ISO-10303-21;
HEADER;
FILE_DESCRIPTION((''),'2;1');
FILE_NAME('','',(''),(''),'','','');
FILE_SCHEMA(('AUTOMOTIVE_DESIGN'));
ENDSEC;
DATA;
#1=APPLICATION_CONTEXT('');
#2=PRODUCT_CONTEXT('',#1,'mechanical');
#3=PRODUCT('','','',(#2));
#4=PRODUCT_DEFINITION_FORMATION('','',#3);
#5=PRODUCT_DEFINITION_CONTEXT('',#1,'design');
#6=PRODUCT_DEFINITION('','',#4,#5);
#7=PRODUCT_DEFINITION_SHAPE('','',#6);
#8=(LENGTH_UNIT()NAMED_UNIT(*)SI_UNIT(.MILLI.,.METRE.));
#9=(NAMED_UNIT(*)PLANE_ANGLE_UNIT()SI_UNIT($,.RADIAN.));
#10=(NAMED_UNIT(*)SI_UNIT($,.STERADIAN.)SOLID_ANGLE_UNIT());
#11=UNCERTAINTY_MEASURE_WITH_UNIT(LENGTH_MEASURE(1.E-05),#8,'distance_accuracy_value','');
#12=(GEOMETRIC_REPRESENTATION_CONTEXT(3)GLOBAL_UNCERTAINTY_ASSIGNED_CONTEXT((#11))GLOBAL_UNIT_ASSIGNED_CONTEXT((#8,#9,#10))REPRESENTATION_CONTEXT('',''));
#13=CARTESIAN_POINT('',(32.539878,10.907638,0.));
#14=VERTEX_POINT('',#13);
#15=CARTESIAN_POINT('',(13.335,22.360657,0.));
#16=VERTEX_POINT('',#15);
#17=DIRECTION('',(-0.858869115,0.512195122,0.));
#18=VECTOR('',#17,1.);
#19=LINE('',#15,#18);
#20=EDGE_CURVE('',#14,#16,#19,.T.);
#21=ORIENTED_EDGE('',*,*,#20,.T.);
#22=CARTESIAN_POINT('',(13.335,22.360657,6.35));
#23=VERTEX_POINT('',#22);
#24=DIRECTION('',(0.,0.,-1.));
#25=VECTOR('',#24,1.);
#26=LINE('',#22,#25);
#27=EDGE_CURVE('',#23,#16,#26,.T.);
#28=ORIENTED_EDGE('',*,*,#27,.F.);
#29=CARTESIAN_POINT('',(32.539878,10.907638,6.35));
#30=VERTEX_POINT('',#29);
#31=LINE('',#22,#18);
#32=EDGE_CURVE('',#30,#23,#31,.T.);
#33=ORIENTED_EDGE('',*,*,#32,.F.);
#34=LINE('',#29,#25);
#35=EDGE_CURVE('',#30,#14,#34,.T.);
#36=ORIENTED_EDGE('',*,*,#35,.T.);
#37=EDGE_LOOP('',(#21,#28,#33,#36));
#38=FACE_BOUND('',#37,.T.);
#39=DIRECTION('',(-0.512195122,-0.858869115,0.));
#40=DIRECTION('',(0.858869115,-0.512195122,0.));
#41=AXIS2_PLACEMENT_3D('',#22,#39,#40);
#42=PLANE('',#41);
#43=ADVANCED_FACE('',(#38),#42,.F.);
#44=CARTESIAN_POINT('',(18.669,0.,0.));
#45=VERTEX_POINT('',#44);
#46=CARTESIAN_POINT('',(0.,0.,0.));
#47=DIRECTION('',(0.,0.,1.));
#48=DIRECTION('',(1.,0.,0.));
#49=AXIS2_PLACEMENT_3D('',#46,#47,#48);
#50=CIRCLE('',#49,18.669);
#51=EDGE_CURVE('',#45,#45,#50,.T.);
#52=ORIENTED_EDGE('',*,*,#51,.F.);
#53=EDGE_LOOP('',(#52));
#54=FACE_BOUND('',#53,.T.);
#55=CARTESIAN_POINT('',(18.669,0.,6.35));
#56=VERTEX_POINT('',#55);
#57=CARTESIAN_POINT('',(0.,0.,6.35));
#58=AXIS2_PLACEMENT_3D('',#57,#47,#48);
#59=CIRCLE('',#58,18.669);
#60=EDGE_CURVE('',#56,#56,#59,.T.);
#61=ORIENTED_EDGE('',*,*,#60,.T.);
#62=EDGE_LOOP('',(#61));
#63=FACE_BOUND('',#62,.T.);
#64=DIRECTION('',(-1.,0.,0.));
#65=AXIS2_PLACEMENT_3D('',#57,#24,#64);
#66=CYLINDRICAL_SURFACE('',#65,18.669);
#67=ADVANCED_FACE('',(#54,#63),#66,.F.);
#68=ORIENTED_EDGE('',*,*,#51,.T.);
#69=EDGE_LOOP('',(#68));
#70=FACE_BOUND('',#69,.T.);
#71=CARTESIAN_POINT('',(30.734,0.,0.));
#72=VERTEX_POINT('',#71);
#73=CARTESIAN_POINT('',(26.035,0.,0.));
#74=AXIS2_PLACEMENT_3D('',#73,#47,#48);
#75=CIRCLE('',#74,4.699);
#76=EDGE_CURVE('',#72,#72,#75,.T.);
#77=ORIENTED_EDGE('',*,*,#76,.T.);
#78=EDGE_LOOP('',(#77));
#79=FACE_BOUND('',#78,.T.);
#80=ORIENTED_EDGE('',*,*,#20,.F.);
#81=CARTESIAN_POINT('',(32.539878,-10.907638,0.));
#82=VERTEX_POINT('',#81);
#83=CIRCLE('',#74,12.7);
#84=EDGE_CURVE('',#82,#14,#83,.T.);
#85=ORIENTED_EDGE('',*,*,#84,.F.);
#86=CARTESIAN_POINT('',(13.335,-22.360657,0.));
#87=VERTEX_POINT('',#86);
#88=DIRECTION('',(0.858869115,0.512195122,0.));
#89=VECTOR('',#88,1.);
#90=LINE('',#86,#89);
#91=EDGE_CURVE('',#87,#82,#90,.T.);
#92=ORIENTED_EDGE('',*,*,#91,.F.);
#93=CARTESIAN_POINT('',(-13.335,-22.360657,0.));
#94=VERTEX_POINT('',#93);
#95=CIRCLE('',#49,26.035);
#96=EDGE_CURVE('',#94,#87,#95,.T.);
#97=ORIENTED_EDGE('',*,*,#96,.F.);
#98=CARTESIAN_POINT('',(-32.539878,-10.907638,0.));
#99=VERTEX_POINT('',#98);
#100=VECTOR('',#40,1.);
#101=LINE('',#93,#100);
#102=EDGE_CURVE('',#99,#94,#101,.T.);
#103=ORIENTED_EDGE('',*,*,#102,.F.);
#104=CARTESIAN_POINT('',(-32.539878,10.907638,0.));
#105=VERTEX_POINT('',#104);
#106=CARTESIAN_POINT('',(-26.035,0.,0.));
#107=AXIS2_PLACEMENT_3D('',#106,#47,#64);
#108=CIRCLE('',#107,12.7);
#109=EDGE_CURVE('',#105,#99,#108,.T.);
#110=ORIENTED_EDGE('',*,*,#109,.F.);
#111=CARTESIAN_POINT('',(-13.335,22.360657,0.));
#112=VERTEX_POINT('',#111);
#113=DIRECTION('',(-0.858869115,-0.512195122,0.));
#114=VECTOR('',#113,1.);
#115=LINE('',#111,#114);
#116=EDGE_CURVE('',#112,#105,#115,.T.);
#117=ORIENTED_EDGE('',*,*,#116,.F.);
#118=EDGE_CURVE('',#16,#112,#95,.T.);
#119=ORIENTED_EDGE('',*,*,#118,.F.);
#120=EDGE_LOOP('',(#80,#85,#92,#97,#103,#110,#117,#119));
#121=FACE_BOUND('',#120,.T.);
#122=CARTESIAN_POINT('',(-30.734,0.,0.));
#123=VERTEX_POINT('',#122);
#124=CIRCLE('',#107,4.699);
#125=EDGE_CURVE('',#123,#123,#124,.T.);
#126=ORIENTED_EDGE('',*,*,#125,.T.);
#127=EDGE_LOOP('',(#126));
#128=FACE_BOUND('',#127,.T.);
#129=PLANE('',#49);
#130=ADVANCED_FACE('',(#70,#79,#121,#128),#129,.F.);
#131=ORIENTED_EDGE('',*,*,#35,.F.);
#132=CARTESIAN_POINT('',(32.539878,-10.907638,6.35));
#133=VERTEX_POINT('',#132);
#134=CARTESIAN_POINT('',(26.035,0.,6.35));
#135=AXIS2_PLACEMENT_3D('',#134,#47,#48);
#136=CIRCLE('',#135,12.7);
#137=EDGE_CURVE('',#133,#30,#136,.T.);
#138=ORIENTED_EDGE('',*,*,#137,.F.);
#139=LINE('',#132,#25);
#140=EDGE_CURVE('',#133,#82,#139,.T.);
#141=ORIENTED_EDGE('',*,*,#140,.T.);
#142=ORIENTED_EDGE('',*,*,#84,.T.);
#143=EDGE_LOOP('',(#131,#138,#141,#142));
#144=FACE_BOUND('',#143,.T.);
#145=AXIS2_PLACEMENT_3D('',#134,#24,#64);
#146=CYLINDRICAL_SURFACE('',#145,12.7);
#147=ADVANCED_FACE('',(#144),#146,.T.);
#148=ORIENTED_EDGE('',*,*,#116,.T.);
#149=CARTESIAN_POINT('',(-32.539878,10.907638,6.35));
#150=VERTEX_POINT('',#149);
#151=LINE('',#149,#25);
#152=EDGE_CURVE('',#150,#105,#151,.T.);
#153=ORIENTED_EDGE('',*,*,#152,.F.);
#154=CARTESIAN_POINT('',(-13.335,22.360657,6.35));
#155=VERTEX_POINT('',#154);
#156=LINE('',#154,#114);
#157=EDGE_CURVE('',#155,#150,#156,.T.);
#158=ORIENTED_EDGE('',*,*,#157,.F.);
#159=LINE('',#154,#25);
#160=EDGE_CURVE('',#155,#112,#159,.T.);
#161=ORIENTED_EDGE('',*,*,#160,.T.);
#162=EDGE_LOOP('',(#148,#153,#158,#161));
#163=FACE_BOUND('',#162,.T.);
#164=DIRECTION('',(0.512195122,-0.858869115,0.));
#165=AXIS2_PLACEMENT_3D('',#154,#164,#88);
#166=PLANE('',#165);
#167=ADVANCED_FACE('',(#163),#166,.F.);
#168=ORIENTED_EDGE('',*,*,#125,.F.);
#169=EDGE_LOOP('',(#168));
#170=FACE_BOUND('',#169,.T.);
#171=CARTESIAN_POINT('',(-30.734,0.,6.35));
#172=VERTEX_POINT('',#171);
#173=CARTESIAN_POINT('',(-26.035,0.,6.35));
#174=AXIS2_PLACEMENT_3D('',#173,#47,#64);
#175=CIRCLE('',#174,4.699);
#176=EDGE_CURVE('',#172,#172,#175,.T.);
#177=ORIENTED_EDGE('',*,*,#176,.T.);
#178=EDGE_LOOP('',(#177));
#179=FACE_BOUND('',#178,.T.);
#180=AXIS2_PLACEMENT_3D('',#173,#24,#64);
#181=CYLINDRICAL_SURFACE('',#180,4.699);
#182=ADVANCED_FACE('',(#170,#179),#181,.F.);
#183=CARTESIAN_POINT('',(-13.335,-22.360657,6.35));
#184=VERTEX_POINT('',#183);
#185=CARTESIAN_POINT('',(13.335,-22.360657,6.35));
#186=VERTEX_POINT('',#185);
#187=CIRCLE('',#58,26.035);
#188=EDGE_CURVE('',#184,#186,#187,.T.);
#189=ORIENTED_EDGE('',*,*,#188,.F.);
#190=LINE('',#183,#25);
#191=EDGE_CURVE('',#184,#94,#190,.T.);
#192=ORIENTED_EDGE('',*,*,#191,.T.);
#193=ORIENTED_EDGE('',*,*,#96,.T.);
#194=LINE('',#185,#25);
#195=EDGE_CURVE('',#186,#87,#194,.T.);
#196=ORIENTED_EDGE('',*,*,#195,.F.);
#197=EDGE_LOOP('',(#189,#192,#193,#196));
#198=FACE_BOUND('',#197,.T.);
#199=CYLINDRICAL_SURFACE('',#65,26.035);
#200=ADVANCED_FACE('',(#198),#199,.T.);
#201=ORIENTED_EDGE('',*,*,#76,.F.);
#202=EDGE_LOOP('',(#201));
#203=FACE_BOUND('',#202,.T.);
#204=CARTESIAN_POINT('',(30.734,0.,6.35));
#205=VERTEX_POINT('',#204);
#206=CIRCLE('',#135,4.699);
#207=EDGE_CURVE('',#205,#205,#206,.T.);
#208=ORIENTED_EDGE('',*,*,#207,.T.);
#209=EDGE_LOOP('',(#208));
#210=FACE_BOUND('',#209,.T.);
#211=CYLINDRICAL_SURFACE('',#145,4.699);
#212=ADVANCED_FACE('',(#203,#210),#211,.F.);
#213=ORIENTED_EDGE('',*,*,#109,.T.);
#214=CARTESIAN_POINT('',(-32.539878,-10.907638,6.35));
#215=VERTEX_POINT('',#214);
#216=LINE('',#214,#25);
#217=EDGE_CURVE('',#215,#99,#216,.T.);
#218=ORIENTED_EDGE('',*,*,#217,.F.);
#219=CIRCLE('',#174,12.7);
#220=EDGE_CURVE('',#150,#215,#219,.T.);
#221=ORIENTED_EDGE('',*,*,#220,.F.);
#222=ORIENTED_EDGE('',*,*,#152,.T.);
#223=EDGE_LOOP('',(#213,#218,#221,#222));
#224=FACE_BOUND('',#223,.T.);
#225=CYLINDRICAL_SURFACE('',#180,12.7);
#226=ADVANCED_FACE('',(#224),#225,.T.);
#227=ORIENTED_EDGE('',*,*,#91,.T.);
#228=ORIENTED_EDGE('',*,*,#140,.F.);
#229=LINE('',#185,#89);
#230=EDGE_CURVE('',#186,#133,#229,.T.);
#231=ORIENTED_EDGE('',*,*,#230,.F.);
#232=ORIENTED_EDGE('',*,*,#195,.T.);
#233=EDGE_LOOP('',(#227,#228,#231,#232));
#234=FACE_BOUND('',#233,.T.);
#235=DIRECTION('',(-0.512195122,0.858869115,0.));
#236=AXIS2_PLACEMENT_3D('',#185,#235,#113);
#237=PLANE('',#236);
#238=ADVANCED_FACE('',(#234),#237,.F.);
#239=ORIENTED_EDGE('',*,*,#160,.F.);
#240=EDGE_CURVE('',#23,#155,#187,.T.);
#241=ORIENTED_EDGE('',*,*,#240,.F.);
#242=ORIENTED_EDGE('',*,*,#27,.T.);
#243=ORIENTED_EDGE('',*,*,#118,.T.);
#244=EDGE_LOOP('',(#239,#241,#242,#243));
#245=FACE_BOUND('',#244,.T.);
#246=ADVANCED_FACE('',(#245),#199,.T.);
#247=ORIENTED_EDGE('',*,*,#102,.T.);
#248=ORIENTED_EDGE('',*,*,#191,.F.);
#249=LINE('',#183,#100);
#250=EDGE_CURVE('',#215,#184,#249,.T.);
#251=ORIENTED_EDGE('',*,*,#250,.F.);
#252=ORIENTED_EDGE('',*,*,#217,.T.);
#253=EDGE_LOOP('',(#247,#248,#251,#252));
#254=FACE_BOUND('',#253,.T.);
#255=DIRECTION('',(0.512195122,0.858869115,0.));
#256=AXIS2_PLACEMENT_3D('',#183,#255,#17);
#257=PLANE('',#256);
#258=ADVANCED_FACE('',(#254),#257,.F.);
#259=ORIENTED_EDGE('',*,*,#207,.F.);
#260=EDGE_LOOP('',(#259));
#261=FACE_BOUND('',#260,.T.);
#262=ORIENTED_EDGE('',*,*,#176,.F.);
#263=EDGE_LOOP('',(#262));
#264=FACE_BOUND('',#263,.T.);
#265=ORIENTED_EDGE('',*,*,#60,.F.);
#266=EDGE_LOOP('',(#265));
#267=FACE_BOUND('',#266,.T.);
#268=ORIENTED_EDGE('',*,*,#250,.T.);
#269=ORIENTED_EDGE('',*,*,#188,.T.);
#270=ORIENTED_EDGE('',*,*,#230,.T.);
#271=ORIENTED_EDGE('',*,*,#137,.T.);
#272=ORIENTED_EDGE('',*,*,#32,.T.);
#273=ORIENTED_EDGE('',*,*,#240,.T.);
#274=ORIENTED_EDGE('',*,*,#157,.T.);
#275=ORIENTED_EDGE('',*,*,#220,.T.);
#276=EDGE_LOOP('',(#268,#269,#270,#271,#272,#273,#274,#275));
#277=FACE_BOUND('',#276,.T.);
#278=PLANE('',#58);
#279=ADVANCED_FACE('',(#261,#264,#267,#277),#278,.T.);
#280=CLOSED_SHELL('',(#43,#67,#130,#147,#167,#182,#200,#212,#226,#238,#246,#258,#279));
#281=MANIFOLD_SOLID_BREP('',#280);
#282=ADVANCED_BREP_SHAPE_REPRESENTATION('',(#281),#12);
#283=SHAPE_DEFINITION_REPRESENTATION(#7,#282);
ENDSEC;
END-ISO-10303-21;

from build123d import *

# Parameters (mm, degrees)
SKETCH1_R           = 18.669
SKETCH1_R_2         = 4.699
BOSS_EXTRUDE1_DEPTH = 6.35


with BuildPart() as part:
    # Sketch1 → Boss-Extrude1 (new body)
    with BuildSketch(Plane.XY):
        with BuildLine():
            Line((13.335, 22.360657414), (32.539878049, 10.907637763))
            ThreePointArc((32.539878049, 10.907637763), (38.735, 0), (32.539878049, -10.907637763))
            Line((32.539878049, -10.907637763), (13.335, -22.360657414))
            ThreePointArc((13.335, -22.360657414), (0, -26.035), (-13.335, -22.360657414))
            Line((-13.335, -22.360657414), (-32.539878049, -10.907637763))
            ThreePointArc((-32.539878049, -10.907637763), (-38.735, 0), (-32.539878049, 10.907637763))
            Line((-32.539878049, 10.907637763), (-13.335, 22.360657414))
            ThreePointArc((-13.335, 22.360657414), (0, 26.035), (13.335, 22.360657414))
        make_face()
        Circle(SKETCH1_R, mode=Mode.SUBTRACT)
        with Locations((26.035, 0)):
            Circle(SKETCH1_R_2, mode=Mode.SUBTRACT)
        with Locations((-26.035, 0)):
            Circle(SKETCH1_R_2, mode=Mode.SUBTRACT)
    extrude(amount=BOSS_EXTRUDE1_DEPTH)


solid = part.part
